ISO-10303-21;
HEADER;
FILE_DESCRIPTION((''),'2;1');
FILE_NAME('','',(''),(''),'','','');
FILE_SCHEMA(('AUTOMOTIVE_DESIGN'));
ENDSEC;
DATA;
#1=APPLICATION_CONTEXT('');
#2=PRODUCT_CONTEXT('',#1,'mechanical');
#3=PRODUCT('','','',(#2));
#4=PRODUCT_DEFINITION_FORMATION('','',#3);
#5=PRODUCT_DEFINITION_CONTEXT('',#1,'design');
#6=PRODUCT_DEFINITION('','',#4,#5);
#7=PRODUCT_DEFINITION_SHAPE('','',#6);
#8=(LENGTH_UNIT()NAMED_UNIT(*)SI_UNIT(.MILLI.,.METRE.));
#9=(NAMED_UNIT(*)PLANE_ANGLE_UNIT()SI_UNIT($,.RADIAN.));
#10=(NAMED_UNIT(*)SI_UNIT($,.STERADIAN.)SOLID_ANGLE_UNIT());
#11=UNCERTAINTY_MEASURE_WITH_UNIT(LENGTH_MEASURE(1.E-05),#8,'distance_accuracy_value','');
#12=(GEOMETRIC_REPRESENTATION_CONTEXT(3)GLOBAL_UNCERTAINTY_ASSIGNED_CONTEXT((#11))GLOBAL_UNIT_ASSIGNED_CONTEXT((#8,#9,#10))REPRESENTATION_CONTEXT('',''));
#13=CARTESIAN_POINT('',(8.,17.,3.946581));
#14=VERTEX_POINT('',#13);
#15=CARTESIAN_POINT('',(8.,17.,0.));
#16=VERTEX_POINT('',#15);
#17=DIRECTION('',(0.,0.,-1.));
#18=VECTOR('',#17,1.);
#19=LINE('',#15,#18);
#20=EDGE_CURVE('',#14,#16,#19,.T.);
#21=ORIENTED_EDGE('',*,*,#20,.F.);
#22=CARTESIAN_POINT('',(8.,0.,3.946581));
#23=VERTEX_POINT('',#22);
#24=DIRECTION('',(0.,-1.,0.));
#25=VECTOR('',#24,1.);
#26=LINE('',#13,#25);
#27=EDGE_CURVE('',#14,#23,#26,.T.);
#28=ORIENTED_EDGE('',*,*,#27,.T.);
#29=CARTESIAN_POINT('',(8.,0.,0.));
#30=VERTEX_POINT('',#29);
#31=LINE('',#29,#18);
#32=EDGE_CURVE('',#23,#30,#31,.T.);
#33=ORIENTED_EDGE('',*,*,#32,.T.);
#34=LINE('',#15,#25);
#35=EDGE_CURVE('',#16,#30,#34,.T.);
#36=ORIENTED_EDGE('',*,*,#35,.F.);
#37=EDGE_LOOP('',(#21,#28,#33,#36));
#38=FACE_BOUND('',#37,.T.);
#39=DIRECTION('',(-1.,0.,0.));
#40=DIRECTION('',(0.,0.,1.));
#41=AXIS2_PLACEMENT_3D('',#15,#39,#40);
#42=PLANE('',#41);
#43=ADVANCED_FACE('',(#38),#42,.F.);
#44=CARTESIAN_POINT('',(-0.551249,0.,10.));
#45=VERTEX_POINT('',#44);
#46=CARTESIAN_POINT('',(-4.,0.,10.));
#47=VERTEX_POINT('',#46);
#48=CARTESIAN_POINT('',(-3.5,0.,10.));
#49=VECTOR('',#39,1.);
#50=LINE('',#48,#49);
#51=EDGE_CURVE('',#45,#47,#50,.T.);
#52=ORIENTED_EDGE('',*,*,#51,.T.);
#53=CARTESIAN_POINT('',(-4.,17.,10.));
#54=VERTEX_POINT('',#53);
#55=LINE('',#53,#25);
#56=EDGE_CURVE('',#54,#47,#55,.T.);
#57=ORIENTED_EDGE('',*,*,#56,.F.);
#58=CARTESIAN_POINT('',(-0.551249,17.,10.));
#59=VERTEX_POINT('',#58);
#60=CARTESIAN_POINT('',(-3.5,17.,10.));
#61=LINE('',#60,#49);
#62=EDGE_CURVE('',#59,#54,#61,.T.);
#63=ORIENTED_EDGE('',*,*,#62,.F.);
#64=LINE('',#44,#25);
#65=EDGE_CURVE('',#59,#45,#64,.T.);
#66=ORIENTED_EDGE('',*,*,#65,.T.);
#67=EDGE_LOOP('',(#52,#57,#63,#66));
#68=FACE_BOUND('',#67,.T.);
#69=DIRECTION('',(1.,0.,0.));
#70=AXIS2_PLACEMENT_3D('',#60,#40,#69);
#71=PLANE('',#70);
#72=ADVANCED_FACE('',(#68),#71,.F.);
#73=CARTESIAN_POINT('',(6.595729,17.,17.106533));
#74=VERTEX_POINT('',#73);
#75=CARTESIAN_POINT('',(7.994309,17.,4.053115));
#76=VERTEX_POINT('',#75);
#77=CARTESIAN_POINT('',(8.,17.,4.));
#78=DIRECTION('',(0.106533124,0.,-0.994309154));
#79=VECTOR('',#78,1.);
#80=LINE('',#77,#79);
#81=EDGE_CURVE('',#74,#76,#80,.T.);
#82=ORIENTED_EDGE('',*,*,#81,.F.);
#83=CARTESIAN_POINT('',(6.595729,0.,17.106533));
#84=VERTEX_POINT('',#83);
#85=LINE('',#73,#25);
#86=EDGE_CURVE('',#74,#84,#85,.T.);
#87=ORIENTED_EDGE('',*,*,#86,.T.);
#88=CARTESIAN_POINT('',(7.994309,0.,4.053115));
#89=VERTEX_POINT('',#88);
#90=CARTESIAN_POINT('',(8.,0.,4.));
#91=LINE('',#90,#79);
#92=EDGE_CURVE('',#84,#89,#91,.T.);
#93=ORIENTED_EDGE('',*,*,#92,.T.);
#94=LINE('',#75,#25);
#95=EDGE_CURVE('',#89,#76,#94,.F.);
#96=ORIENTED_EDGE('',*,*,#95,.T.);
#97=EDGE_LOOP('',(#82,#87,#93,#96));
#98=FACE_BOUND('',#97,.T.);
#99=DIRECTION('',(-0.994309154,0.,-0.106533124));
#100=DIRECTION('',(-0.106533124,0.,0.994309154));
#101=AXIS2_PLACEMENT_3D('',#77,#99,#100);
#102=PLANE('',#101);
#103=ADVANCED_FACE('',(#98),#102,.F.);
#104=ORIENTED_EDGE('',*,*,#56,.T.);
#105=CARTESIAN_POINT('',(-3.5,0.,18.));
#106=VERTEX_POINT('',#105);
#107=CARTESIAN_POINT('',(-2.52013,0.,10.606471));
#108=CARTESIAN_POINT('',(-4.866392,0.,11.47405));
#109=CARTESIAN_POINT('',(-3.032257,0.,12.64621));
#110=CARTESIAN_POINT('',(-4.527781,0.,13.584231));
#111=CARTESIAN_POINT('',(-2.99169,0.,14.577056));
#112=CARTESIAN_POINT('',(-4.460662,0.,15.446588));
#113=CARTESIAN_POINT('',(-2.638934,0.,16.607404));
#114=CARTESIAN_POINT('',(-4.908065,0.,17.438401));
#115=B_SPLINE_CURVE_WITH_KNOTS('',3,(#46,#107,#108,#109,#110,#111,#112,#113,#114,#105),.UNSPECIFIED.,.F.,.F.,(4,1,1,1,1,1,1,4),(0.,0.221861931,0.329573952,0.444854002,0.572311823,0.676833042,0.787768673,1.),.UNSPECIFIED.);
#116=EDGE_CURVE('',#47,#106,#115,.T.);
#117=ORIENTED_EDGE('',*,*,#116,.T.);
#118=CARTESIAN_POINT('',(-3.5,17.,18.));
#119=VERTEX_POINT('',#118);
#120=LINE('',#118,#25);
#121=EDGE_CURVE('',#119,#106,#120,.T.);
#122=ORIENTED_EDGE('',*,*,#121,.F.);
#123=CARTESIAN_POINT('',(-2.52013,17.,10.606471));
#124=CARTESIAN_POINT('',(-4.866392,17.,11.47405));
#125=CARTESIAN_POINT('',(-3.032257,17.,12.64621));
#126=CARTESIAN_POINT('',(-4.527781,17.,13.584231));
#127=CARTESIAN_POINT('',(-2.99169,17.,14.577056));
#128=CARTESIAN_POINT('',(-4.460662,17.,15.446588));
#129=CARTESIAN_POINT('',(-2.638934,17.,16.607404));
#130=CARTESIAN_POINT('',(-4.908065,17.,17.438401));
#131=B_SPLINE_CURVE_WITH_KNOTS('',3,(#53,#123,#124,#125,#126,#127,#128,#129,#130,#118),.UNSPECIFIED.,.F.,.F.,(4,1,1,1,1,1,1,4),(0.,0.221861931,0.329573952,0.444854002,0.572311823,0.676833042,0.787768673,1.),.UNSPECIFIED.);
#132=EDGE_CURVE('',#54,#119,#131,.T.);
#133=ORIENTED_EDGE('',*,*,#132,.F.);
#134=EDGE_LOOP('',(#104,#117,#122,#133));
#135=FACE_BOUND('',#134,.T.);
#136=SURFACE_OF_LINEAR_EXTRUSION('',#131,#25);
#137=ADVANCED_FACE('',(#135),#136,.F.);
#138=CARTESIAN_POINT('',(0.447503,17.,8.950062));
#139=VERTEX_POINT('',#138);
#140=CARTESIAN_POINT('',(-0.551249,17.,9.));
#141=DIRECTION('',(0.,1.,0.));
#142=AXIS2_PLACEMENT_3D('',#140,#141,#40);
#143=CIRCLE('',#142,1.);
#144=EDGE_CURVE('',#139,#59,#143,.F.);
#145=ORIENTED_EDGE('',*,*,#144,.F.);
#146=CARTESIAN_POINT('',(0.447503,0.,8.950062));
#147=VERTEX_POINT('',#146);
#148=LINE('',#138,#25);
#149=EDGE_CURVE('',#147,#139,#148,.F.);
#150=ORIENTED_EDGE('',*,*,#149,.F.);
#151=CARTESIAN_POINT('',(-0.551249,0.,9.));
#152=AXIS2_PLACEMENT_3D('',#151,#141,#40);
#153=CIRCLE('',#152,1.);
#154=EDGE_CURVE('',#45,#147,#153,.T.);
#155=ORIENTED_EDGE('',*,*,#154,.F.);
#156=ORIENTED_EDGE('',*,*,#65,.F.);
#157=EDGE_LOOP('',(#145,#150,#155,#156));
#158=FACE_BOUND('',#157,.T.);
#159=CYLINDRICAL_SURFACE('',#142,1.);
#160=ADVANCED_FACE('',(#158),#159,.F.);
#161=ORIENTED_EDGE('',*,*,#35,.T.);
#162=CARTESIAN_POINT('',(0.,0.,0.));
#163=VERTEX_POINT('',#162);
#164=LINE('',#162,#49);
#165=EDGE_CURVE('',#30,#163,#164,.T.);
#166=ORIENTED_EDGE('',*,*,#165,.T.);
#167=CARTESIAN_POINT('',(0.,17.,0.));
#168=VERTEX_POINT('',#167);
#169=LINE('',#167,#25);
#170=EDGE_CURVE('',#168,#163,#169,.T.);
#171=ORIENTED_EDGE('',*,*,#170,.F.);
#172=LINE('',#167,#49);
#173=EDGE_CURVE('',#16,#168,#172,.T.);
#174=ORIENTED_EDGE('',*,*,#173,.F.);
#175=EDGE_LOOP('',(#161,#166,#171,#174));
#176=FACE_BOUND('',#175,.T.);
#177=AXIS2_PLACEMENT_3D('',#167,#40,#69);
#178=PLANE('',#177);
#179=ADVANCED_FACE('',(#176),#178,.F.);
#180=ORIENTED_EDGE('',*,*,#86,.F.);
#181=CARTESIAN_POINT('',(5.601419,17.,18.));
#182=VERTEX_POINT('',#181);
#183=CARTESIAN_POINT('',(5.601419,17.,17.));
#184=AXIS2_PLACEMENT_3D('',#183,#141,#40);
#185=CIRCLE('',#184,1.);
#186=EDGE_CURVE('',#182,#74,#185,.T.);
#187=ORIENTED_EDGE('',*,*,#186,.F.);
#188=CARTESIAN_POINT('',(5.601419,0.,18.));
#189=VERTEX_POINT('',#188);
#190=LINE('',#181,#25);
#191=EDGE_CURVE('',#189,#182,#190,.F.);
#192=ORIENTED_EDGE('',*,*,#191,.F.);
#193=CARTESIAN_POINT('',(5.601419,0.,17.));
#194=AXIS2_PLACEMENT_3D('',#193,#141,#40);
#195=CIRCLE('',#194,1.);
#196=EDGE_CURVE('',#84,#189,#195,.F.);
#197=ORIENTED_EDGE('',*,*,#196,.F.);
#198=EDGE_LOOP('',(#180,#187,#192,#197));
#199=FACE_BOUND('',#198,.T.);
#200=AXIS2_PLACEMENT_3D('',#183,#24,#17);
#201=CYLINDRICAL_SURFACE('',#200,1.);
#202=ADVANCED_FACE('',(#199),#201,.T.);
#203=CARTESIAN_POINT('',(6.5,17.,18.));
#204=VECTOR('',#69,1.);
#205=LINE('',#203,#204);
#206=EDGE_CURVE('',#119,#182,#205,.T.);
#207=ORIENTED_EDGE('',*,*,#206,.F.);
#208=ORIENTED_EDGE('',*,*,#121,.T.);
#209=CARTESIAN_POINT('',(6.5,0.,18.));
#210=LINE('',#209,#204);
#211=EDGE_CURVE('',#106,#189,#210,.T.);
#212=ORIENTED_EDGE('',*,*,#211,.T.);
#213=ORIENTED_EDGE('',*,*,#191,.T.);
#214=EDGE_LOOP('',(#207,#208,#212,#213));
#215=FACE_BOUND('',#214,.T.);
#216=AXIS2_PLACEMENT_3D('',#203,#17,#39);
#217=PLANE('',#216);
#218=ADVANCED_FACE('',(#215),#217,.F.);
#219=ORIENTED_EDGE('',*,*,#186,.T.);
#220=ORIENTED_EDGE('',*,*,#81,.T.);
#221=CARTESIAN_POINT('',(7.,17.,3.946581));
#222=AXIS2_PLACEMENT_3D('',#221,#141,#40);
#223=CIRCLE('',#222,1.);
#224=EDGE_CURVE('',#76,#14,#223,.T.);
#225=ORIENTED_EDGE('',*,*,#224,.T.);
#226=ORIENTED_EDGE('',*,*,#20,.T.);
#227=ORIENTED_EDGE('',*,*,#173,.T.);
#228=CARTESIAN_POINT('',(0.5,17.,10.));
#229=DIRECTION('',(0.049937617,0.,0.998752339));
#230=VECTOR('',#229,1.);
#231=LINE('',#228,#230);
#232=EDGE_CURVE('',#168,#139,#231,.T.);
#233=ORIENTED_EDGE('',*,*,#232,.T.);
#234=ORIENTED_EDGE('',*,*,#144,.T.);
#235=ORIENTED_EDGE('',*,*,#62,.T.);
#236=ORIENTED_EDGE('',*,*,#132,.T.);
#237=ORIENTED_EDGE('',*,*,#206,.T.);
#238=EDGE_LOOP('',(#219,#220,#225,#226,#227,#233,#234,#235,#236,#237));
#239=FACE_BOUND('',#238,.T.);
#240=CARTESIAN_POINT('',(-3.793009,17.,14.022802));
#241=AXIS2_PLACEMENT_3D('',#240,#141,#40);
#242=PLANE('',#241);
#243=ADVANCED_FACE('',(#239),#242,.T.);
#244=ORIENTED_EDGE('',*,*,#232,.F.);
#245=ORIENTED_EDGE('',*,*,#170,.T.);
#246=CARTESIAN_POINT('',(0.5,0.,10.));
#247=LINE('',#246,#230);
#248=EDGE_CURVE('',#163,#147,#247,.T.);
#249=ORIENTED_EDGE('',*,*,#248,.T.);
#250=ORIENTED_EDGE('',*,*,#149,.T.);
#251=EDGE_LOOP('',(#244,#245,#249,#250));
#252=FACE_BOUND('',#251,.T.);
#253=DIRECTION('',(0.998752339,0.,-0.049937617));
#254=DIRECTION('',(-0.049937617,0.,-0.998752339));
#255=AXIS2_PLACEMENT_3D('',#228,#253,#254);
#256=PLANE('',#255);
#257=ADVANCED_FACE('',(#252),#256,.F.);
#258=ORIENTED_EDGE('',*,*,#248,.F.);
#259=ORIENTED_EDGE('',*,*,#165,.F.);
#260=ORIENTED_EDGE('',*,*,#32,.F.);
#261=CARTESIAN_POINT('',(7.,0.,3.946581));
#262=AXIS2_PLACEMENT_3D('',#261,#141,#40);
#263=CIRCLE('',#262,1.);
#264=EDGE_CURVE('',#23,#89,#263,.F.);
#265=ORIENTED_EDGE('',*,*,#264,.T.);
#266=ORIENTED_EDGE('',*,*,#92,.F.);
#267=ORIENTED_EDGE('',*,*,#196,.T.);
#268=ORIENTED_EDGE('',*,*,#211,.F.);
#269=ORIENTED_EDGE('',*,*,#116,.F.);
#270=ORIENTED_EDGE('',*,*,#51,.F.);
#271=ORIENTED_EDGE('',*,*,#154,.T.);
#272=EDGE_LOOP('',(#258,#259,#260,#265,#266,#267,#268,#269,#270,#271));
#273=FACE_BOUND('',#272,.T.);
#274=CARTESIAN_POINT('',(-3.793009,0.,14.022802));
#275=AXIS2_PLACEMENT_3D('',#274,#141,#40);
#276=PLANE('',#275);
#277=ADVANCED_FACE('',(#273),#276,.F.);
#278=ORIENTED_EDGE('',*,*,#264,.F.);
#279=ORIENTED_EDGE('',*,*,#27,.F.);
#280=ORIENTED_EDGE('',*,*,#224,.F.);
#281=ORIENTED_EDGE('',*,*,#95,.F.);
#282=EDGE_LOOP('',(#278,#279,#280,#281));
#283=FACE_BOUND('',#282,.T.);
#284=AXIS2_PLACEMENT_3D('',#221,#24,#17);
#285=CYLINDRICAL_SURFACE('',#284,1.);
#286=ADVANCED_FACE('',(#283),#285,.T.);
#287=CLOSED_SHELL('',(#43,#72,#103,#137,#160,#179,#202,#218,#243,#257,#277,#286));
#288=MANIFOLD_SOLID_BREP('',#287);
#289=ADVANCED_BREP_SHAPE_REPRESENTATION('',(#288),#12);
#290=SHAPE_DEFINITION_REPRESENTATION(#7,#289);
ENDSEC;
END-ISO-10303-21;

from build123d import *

# Parameters (mm, degrees)
BOSS_EXTRUDE1_DEPTH = 17
FILLET1_R           = 1


with BuildPart() as part:
    # Sketch1 → Boss-Extrude1 (new body)
    with BuildSketch(Plane(origin=(0, 0, 0), x_dir=(1, 0, 0), z_dir=(0, 1, 0))):
        with BuildLine():
            Line((0, 0), (8, 0))
            Line((8, 0), (8, -4))
            Line((8, -4), (6.5, -18))
            Line((6.5, -18), (-3.5, -18))
            add(Edge.make_bspline(
                [(-4, -10), (-2.520129607, -10.606471076), (-4.866391531, -11.474049713), (-3.032257304, -12.646210324), (-4.527780587, -13.584230575), (-2.991690416, -14.577055865), (-4.460661732, -15.446588285), (-2.638934103, -16.607403934), (-4.908064967, -17.438401471), (-3.5, -18)],
                knots=[0, 0, 0, 0, 0.221861931, 0.329573952, 0.444854002, 0.572311823, 0.676833042, 0.787768673, 1, 1, 1, 1], degree=3))
            Line((-4, -10), (-3.5, -10))
            Line((-3.5, -10), (0.5, -10))
            Line((0.5, -10), (0, 0))
        make_face()
    extrude(amount=BOSS_EXTRUDE1_DEPTH)

    # Fillet1
    fillet1_edges = [part.edges().sort_by_distance(p)[0] for p in [
        (8, 8.5, 4),
        (6.5, 8.5, 18),
        (0.5, 8.5, 10),
    ]]
    fillet(fillet1_edges, radius=FILLET1_R)


solid = part.part
